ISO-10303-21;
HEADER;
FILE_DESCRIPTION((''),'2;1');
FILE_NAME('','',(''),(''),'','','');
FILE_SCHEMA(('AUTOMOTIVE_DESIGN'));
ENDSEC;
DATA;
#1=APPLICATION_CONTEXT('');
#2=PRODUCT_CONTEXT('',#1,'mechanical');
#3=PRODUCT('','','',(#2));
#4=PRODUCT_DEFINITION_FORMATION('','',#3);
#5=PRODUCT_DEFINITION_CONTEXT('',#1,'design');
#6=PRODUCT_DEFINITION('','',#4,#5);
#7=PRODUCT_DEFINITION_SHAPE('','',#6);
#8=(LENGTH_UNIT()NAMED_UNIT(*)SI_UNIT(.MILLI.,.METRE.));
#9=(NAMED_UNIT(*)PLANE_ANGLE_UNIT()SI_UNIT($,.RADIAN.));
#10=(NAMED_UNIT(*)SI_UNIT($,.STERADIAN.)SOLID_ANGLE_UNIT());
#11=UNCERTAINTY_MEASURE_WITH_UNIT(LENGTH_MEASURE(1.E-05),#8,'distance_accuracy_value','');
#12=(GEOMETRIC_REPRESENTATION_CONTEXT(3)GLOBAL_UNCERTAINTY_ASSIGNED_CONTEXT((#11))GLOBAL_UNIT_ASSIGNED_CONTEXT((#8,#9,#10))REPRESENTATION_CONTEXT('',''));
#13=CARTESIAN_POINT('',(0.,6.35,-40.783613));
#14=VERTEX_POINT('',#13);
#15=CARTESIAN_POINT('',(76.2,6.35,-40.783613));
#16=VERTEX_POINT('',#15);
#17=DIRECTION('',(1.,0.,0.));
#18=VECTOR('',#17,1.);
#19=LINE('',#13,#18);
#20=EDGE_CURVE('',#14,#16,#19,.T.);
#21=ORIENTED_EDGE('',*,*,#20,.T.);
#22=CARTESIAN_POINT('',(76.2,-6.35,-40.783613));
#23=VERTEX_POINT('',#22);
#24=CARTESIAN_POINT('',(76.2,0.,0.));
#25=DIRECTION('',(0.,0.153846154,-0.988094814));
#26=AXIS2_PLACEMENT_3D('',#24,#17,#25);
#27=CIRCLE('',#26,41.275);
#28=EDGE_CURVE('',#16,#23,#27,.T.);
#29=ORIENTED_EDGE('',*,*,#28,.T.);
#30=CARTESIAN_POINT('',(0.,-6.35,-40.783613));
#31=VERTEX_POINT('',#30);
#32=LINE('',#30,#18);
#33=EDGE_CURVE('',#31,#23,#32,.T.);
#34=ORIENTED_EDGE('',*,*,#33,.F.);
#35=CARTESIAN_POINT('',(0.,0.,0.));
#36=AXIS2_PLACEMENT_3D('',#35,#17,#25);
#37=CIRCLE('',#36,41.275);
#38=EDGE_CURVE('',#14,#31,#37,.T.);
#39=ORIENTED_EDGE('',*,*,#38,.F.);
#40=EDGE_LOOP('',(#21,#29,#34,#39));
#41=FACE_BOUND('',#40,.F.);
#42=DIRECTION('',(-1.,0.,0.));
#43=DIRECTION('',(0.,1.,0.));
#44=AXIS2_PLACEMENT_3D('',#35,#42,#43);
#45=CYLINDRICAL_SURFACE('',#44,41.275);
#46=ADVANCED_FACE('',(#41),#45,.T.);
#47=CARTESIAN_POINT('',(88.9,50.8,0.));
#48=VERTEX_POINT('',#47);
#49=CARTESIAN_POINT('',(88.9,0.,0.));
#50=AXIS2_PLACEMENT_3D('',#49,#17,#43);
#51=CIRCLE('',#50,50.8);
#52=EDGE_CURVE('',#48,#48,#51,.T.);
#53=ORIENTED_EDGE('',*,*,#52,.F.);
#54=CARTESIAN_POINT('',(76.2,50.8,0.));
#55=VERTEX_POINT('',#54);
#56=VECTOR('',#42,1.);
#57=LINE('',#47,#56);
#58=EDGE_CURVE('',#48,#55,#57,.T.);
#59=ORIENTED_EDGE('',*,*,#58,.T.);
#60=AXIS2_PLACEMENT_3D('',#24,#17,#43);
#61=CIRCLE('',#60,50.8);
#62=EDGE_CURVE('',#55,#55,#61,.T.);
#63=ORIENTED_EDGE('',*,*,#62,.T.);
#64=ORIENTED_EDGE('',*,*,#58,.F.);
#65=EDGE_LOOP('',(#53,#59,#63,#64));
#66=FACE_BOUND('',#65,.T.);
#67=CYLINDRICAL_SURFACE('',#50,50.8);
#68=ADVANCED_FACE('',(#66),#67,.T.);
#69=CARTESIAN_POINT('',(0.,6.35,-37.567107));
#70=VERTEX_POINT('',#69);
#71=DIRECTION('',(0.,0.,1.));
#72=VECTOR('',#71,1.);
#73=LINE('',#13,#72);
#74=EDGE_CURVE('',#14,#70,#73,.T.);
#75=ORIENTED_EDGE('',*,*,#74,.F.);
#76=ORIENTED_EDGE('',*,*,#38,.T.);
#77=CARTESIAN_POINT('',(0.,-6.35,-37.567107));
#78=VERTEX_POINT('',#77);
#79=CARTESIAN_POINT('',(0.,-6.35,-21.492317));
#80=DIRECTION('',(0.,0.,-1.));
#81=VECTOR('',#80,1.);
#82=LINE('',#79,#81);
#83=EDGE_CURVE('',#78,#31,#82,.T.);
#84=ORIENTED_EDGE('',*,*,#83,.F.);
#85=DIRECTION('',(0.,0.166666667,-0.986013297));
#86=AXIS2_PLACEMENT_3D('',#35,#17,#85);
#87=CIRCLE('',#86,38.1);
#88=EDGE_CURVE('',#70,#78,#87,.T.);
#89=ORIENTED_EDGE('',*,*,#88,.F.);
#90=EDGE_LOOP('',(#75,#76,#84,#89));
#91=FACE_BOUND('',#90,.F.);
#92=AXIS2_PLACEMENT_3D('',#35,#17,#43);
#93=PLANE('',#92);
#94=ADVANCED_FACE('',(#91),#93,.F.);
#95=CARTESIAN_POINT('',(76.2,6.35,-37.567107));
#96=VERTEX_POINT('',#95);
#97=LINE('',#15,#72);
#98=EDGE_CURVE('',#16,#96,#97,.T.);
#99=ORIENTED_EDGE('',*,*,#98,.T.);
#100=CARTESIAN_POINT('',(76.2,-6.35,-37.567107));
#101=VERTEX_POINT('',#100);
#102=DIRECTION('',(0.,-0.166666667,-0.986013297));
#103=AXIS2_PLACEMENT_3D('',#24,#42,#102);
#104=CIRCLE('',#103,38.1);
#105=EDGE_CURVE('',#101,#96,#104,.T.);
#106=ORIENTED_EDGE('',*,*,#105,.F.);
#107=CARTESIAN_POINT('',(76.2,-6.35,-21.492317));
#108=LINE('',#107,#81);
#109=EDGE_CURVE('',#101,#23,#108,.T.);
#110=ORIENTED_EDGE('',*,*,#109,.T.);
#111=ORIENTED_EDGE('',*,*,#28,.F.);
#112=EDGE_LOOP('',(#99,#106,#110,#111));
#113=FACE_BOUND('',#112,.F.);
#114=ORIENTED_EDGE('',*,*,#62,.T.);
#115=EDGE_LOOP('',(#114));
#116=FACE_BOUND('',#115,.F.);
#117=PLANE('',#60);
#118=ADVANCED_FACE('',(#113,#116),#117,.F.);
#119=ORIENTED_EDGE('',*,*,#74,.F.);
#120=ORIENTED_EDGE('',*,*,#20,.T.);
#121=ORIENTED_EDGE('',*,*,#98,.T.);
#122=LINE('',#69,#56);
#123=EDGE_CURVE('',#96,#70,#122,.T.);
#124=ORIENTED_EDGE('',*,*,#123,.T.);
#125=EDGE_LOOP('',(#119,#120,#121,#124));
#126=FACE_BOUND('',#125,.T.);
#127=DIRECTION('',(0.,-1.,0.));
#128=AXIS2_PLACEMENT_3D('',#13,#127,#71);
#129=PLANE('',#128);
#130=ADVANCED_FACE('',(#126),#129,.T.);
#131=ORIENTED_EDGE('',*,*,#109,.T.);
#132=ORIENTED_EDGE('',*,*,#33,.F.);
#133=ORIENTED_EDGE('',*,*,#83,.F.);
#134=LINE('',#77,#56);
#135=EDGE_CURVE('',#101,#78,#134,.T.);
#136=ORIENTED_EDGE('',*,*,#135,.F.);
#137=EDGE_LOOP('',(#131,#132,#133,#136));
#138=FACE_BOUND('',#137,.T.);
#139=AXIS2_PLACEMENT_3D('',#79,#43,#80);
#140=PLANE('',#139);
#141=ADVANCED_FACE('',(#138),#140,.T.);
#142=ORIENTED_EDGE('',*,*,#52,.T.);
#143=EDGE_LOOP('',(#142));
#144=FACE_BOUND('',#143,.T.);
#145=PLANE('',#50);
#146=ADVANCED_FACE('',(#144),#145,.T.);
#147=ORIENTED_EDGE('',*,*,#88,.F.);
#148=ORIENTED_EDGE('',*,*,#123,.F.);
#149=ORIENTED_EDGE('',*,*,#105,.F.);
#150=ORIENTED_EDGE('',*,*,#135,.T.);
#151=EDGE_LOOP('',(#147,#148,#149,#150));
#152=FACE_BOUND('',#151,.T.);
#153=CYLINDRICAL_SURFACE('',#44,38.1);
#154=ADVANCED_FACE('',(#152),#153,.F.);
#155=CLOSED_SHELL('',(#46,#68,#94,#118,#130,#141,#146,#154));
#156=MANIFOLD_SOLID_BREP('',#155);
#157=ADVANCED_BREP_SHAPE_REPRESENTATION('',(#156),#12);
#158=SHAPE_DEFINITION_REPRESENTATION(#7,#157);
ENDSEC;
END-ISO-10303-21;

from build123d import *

# Parameters (mm, degrees)
F0_R     = 41.275
F1_DEPTH = 88.9
F2_R     = 50.8
F2_R_2   = 41.275
F3_DEPTH = 12.7
F5_DEPTH = 76.2
F6_R     = 38.1
F7_DEPTH = 76.2


with BuildPart() as f1:
    # F0 (on Right) → F1 (new body)
    with BuildSketch(Plane.YZ):
        Circle(F0_R)
    extrude(amount=F1_DEPTH)

    # F2 (on face) → F3 (join)
    with BuildSketch(Plane.YZ.offset(88.9)):
        Circle(F2_R)
        Circle(F2_R_2, mode=Mode.SUBTRACT)
    extrude(amount=-F3_DEPTH)

    # F4 (on face) → F5 (cut)
    with BuildSketch(Plane.YZ):
        with BuildLine():
            Line((6.35, -21.4923172526), (-6.35, -21.4923172526))
            Line((-6.35, -21.4923172526), (-6.35, -40.7836134373))
            ThreePointArc((-6.35, -40.7836134373), (0, -41.275), (6.35, -40.7836134373))
            Line((6.35, -40.7836134373), (6.35, -21.4923172526))
        make_face()
    extrude(amount=F5_DEPTH, mode=Mode.SUBTRACT)

    # F6 (on face) → F7 (cut)
    with BuildSketch(Plane.YZ):
        Circle(F6_R)
    extrude(amount=F7_DEPTH, mode=Mode.SUBTRACT)


solid = f1.part
